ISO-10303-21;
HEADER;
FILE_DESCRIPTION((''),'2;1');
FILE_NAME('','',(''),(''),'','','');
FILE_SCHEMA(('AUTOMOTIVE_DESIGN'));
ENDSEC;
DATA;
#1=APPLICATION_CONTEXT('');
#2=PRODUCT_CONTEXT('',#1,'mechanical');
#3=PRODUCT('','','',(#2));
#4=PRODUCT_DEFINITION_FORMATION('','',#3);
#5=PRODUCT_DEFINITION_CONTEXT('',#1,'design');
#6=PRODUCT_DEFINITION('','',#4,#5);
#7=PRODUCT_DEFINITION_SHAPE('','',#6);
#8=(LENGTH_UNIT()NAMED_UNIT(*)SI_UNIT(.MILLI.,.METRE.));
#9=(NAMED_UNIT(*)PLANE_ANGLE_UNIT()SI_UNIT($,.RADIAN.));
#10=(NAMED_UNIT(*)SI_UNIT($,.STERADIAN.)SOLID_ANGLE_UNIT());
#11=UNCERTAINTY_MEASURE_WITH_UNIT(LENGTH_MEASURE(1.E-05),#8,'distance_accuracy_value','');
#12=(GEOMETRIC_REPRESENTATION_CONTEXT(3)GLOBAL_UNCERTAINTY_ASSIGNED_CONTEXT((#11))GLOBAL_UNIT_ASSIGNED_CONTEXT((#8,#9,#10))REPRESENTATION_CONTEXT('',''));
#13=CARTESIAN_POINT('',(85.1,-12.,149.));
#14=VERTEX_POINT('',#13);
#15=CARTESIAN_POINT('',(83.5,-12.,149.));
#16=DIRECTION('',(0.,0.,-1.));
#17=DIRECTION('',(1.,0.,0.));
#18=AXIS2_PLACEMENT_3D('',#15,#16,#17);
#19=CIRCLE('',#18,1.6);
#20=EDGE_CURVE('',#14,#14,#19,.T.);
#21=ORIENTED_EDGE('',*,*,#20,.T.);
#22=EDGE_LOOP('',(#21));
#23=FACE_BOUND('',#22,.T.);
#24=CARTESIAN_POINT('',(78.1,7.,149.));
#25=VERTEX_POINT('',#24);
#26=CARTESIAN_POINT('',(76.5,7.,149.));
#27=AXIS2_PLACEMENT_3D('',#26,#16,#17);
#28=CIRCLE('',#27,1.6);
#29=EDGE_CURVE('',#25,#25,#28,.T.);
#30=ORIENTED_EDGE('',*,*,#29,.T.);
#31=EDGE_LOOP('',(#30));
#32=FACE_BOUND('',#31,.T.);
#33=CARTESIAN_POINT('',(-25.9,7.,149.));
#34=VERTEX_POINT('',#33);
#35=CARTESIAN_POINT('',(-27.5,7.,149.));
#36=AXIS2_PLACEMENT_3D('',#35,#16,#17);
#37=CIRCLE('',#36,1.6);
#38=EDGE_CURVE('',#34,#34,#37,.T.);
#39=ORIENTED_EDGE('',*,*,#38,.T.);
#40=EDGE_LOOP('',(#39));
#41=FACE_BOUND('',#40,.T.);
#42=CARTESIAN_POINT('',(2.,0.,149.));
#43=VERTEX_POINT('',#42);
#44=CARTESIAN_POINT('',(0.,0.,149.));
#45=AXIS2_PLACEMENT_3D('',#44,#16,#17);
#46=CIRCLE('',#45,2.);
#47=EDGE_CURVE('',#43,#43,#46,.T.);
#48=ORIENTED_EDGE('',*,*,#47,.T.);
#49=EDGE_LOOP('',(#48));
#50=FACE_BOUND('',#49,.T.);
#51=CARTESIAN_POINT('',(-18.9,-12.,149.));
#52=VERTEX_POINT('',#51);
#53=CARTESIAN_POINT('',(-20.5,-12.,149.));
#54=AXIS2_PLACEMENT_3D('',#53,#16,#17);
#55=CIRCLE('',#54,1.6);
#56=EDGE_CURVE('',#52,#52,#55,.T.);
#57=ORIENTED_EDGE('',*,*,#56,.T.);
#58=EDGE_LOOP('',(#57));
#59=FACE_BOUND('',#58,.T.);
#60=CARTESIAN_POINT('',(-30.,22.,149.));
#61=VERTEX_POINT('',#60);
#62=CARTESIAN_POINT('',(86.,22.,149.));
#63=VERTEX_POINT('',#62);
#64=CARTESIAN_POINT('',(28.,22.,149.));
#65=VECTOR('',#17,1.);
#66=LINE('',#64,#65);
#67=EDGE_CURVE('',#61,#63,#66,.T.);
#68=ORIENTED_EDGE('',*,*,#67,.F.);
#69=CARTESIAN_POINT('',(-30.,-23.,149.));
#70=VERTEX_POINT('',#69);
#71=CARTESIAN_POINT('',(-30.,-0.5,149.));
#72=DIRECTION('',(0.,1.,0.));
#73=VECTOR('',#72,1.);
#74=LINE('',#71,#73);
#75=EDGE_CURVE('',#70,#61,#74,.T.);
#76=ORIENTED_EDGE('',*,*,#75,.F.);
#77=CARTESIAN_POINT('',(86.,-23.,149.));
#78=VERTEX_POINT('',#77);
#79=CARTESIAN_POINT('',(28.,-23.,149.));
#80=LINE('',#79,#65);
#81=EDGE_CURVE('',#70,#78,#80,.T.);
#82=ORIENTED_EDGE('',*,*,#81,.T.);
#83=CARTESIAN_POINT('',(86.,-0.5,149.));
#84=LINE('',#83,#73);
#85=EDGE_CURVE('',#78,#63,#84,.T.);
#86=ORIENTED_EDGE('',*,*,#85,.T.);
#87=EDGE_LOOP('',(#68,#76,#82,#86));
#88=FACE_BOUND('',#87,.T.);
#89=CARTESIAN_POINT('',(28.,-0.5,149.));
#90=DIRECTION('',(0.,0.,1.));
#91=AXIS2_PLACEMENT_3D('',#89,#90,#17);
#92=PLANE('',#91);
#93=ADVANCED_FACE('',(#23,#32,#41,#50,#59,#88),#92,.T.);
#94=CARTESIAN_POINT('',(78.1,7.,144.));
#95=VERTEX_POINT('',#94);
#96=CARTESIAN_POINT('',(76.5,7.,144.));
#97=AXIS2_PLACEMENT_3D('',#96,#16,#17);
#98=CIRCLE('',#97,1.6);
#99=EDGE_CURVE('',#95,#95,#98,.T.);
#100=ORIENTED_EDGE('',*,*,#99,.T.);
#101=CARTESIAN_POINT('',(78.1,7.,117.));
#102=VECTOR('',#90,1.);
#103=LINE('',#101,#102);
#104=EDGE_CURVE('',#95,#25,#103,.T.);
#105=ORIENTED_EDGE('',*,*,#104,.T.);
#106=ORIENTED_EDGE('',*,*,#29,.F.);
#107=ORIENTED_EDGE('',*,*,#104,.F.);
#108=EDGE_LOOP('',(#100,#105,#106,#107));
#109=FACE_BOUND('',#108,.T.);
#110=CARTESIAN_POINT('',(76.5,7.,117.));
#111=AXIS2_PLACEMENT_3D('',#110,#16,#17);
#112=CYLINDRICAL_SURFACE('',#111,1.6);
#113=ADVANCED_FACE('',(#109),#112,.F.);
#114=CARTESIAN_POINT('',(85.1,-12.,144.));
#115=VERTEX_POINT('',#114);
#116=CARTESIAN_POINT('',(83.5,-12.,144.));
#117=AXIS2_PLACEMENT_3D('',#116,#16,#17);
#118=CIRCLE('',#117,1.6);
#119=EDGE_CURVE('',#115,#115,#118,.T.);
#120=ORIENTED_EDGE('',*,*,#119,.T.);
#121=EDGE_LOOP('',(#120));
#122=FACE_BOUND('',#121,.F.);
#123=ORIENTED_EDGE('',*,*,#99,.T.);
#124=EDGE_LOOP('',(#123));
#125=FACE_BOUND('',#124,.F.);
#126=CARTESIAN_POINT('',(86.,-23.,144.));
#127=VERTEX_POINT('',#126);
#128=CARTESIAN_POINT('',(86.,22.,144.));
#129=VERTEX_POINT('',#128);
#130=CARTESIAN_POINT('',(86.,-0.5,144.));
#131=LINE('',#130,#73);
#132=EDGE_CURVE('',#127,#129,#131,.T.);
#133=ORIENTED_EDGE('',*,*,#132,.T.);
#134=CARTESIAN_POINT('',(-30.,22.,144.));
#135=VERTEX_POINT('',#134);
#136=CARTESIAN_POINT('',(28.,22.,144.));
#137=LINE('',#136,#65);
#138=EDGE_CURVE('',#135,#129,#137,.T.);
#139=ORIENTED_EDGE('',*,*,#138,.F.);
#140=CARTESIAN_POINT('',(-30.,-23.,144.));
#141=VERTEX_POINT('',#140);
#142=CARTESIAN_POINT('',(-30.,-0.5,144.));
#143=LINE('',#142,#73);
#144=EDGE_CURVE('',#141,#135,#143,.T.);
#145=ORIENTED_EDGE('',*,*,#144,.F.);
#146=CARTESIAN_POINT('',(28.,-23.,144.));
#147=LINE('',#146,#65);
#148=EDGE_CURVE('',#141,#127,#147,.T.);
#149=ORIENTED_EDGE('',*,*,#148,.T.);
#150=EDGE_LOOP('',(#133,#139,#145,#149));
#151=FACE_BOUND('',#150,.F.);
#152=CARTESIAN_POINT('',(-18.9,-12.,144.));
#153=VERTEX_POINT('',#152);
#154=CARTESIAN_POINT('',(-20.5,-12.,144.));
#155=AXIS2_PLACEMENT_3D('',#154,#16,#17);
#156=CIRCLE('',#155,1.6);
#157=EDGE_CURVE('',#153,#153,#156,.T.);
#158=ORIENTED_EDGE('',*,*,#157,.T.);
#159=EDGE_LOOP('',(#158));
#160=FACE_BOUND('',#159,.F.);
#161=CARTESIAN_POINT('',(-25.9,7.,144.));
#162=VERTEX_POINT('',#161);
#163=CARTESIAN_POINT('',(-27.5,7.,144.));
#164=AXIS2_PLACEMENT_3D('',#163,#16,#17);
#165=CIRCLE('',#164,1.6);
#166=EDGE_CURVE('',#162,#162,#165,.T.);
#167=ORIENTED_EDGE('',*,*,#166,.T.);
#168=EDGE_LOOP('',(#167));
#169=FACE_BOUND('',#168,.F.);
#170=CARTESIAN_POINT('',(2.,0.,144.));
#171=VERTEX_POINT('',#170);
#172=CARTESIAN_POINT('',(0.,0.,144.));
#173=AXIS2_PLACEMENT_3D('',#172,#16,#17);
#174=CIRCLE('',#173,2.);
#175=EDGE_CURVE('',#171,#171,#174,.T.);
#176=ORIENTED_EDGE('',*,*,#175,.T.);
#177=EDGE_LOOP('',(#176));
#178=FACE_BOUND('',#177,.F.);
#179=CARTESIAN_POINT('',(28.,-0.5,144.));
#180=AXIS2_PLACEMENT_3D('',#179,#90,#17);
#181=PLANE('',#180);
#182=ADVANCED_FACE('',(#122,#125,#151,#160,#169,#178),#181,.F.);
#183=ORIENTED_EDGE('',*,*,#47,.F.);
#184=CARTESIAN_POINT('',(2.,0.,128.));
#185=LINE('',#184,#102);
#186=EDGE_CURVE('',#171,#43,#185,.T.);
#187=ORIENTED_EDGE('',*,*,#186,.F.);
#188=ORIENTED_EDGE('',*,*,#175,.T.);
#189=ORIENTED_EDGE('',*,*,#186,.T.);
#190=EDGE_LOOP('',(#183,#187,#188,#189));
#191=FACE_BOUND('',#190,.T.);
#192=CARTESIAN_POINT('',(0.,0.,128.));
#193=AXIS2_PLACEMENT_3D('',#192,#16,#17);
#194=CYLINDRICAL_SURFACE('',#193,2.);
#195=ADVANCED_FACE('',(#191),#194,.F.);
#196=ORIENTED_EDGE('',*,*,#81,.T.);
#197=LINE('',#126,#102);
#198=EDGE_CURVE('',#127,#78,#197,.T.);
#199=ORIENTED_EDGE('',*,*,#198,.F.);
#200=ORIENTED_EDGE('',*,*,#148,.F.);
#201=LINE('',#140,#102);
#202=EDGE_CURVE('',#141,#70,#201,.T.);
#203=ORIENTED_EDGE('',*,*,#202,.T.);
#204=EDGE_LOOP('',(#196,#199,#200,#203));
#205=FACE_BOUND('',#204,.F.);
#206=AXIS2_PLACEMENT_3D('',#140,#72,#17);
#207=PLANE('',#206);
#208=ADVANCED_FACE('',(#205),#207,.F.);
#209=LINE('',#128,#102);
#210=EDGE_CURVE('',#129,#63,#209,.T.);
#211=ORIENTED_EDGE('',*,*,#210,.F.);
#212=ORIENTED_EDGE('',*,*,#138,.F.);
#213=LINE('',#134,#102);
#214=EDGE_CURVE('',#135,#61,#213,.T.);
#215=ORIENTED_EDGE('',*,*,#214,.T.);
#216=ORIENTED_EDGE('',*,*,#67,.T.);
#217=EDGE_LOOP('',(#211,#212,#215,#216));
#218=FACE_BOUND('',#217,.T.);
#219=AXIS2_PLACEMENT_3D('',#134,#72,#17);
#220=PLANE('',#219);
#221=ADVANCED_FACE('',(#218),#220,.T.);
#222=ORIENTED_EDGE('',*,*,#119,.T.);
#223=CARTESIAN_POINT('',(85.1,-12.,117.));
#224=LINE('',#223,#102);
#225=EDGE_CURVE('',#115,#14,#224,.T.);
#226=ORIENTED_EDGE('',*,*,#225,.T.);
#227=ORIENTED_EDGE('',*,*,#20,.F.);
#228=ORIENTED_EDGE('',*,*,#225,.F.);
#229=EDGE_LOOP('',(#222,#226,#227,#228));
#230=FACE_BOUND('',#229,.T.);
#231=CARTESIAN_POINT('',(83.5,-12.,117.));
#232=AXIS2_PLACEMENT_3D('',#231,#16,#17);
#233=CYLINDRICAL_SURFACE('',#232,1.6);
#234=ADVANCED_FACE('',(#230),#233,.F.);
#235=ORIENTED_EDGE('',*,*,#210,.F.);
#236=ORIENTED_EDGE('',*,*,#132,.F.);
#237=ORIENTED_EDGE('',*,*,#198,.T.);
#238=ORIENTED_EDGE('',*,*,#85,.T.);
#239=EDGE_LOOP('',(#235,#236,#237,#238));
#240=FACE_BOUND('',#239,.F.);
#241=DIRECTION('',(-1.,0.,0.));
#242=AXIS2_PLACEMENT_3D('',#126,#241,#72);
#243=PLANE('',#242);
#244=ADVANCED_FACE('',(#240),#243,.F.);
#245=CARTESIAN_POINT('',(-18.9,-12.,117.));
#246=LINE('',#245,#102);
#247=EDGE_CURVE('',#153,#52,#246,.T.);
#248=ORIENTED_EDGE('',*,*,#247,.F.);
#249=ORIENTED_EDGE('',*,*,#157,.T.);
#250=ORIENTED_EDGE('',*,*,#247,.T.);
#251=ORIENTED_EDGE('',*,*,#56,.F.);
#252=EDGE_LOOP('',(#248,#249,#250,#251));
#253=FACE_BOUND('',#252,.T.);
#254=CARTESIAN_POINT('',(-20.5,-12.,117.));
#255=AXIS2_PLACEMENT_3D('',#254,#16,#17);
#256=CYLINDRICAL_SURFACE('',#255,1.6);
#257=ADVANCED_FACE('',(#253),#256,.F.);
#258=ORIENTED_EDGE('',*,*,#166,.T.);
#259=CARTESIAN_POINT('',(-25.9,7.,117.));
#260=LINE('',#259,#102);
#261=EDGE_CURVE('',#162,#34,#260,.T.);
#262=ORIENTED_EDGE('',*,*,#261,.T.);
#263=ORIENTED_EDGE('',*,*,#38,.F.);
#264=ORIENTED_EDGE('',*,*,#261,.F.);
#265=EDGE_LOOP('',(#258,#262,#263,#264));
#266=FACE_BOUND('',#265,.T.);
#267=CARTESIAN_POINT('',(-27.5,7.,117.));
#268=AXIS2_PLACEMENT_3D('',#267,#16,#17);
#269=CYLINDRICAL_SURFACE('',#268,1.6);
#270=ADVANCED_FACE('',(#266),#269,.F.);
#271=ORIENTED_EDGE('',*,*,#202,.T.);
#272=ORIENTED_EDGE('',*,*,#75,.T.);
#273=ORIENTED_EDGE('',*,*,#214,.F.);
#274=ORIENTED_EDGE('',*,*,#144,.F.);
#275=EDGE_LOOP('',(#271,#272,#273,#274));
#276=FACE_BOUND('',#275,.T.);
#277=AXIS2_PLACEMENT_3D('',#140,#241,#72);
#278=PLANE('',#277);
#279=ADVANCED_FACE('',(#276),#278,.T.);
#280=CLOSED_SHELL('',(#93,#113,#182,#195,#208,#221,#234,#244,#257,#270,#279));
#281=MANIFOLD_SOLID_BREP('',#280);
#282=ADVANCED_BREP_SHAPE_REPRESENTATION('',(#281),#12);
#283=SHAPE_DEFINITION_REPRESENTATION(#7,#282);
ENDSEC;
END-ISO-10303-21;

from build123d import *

# Parameters (mm, degrees)
CYLINDER093_R           = 2
CYLINDER093_DEPTH       = 30
CYLINDER019_R           = 1.6
CYLINDER019_DEPTH       = 40
CYLINDER019_PITCH_ANGLE = 90
CYLINDER018_R           = 1.6
CYLINDER018_DEPTH       = 40
CYLINDER018_PITCH_ANGLE = 90
CYLINDER017_R           = 1.6
CYLINDER017_DEPTH       = 40
CYLINDER016_R           = 1.6
CYLINDER016_DEPTH       = 70
CYLINDER016_ROLL_ANGLE  = 90
CYLINDER015_R           = 1.6
CYLINDER015_DEPTH       = 40
BOX013_W                = 116
BOX013_H                = 45
BOX013_DEPTH            = 5


with BuildPart() as cylinder371:
    # Cylinder093 → Cylinder093 (new body)
    with BuildSketch(Plane.XY.offset(128)):
        Circle(CYLINDER093_R)
    extrude(amount=CYLINDER093_DEPTH)


with BuildPart() as cylinder100:
    # Cylinder019 → Cylinder019 (new body)
    with BuildSketch(Plane.XY):
        Circle(CYLINDER019_R)
    extrude(amount=CYLINDER019_DEPTH)


with BuildPart() as cylinder100_1:
    # Cylinder019 pitch: moved
    add(cylinder100.part.rotate(Axis((0, 0, 0), (0, 1, 0)), CYLINDER019_PITCH_ANGLE))


with BuildPart() as cylinder100_2:
    # Cylinder019 placement: moved
    add(cylinder100_1.part.moved(Location((-40, 12, 9.5))))


with BuildPart() as fusion011:
    # Cylinder018 → Cylinder018 (new body)
    with BuildSketch(Plane.XY):
        Circle(CYLINDER018_R)
    extrude(amount=CYLINDER018_DEPTH)


with BuildPart() as fusion011_1:
    # Cylinder018 pitch: moved
    add(fusion011.part.rotate(Axis((0, 0, 0), (0, 1, 0)), CYLINDER018_PITCH_ANGLE))


with BuildPart() as fusion011_2:
    # Cylinder018 placement: moved
    add(fusion011_1.part.moved(Location((-40, -7, 2.5))))

    # Fusion011: union Cylinder100
    add(cylinder100_2.part)


with BuildPart() as fusion012:
    # Cylinder017 → Cylinder017 (new body)
    with BuildSketch(Plane(origin=(-27.5, 7, -15), x_dir=(1, 0, 0), z_dir=(0, 0, 1))):
        Circle(CYLINDER017_R)
    extrude(amount=CYLINDER017_DEPTH)

    # Fusion012: union Fusion011
    add(fusion011_2.part)


with BuildPart() as fusion013:
    # Cylinder016 → Cylinder016 (new body)
    with BuildSketch(Plane.XY):
        Circle(CYLINDER016_R)
    extrude(amount=CYLINDER016_DEPTH)


with BuildPart() as fusion013_1:
    # Cylinder016 roll: moved
    add(fusion013.part.rotate(Axis((0, 0, 0), (1, 0, 0)), CYLINDER016_ROLL_ANGLE))


with BuildPart() as fusion013_2:
    # Cylinder016 placement: moved
    add(fusion013_1.part.moved(Location((-24, 39, 6))))

    # Fusion013: union Fusion012
    add(fusion012.part)


with BuildPart() as cylinder008:
    # Cylinder015 → Cylinder015 (new body)
    with BuildSketch(Plane(origin=(-20.5, -12, -15), x_dir=(1, 0, 0), z_dir=(0, 0, 1))):
        Circle(CYLINDER015_R)
    extrude(amount=CYLINDER015_DEPTH)


with BuildPart() as face_corner_holes014:
    # Fusion028 base: copy of Cylinder008
    add(cylinder008.part)

    # Fusion028: union Fusion013
    add(fusion013_2.part)


with BuildPart() as face_corner_holes014_1:
    # Fusion028 placement: moved
    add(face_corner_holes014.part.moved(Location((104, 0, 132))))


with BuildPart() as face_corner_holes002:
    # Fusion016 base: copy of Cylinder008
    add(cylinder008.part)

    # Fusion016: union Fusion013
    add(fusion013_2.part)


with BuildPart() as face_corner_holes002_1:
    # Fusion016 placement: moved
    add(face_corner_holes002.part.moved(Location((0, 0, 132))))


with BuildPart() as right_a:
    # Box013 → Box013 (new body)
    with BuildSketch(Plane(origin=(-30, -23, 144), x_dir=(1, 0, 0), z_dir=(0, 0, 1))):
        with Locations((58, 22.5)):
            Rectangle(BOX013_W, BOX013_H)
    extrude(amount=BOX013_DEPTH)

    # Cut020: cut face-corner-holes002
    add(face_corner_holes002_1.part, mode=Mode.SUBTRACT)

    # Cut025: cut face-corner-holes014
    add(face_corner_holes014_1.part, mode=Mode.SUBTRACT)

    # Cut053: cut Cylinder371
    add(cylinder371.part, mode=Mode.SUBTRACT)


solid = right_a.part
